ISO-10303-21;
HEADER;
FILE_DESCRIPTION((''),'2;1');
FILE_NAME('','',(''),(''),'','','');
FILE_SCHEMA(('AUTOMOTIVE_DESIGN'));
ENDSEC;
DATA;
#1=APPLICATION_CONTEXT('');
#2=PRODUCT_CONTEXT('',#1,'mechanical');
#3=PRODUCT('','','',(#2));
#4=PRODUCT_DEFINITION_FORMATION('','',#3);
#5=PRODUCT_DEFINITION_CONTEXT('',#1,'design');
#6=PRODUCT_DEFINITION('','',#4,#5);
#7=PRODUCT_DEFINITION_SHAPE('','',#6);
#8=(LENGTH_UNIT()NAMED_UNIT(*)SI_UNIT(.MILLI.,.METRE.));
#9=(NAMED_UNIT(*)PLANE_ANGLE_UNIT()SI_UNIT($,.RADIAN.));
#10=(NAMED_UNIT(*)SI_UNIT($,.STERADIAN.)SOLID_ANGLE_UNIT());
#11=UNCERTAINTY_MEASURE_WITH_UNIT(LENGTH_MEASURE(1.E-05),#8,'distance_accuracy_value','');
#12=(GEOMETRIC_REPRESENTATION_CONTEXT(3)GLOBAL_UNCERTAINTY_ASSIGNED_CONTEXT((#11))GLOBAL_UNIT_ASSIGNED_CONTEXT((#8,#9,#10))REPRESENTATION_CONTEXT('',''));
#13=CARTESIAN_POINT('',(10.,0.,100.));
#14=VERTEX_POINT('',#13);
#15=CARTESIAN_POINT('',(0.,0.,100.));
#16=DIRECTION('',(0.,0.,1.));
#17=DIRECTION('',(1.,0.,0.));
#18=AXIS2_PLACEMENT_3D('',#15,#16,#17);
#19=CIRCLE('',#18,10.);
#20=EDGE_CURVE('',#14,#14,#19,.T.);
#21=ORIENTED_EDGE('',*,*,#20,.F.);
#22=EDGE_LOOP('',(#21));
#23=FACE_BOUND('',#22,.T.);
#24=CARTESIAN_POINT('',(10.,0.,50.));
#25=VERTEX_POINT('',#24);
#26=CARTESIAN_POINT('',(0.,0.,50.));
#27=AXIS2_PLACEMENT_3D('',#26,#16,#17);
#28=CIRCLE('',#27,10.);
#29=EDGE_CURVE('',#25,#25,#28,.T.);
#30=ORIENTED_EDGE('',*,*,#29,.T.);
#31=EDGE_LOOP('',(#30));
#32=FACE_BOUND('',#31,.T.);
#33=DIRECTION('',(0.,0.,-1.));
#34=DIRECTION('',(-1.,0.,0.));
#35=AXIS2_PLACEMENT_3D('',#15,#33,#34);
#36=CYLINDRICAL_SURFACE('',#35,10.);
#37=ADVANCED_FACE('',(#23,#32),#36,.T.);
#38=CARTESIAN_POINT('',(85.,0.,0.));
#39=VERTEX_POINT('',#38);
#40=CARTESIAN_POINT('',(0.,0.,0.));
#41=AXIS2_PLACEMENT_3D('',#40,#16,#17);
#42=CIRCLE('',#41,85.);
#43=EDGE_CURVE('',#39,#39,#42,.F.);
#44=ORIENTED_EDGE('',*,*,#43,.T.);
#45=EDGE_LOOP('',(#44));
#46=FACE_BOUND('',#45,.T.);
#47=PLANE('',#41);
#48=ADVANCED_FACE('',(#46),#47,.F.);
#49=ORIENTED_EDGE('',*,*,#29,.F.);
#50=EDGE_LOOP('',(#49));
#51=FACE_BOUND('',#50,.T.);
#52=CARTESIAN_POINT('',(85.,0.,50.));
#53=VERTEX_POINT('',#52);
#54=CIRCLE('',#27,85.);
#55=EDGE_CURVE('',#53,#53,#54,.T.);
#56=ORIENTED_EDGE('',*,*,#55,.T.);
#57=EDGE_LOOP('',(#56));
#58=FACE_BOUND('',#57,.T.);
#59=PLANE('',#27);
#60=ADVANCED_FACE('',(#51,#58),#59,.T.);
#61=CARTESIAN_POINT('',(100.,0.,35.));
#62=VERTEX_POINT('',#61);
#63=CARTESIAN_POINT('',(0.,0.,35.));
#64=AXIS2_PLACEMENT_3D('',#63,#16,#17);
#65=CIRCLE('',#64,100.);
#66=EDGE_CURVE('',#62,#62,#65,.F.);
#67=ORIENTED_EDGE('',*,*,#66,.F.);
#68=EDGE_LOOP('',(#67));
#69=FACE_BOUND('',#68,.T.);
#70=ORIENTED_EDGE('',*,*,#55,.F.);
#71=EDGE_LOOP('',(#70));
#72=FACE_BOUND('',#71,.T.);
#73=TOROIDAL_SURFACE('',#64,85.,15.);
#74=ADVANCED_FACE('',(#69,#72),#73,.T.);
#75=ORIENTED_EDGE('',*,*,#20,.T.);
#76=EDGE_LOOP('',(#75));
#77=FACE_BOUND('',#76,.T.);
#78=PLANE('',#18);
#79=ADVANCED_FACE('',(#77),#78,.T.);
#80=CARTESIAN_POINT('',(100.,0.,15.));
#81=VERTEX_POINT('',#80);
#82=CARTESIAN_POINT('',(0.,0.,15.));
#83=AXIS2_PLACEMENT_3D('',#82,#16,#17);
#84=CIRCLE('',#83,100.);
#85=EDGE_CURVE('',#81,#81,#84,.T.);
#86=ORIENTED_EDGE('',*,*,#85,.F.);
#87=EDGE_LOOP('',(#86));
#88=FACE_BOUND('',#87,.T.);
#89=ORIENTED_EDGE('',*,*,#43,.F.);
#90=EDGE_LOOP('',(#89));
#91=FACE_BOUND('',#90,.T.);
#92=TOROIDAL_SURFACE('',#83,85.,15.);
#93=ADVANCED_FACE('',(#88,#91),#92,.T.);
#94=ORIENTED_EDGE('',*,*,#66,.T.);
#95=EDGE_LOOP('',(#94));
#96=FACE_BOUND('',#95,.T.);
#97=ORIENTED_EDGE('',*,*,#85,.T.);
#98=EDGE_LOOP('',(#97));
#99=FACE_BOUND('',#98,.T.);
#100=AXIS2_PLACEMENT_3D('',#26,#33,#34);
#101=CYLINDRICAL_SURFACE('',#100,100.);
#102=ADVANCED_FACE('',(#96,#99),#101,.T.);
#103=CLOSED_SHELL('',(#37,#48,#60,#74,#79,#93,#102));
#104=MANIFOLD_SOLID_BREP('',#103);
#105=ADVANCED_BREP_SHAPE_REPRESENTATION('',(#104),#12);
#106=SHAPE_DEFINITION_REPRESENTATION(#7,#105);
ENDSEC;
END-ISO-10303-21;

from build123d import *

# Parameters (mm, degrees)
SKETCH_1_R      = 100
EXTRUDE_1_DEPTH = 50
SKETCH_2_R      = 10
EXTRUDE_2_DEPTH = 50
FILLET_1_R      = 15


with BuildPart() as part:
    # 草图1 → 凸台-拉伸1 (new body)
    with BuildSketch(Plane.XY):
        Circle(SKETCH_1_R)
    extrude(amount=EXTRUDE_1_DEPTH)

    # 草图2 → 凸台-拉伸2 (add)
    with BuildSketch(Plane.XY.offset(50)):
        Circle(SKETCH_2_R)
    extrude(amount=EXTRUDE_2_DEPTH)

    # 圆角1
    fillet_1_edges = [part.edges().sort_by_distance(p)[0] for p in [
        (-100, 0, 0),
        (-100, 0, 50),
    ]]
    fillet(fillet_1_edges, radius=FILLET_1_R)


solid = part.part
